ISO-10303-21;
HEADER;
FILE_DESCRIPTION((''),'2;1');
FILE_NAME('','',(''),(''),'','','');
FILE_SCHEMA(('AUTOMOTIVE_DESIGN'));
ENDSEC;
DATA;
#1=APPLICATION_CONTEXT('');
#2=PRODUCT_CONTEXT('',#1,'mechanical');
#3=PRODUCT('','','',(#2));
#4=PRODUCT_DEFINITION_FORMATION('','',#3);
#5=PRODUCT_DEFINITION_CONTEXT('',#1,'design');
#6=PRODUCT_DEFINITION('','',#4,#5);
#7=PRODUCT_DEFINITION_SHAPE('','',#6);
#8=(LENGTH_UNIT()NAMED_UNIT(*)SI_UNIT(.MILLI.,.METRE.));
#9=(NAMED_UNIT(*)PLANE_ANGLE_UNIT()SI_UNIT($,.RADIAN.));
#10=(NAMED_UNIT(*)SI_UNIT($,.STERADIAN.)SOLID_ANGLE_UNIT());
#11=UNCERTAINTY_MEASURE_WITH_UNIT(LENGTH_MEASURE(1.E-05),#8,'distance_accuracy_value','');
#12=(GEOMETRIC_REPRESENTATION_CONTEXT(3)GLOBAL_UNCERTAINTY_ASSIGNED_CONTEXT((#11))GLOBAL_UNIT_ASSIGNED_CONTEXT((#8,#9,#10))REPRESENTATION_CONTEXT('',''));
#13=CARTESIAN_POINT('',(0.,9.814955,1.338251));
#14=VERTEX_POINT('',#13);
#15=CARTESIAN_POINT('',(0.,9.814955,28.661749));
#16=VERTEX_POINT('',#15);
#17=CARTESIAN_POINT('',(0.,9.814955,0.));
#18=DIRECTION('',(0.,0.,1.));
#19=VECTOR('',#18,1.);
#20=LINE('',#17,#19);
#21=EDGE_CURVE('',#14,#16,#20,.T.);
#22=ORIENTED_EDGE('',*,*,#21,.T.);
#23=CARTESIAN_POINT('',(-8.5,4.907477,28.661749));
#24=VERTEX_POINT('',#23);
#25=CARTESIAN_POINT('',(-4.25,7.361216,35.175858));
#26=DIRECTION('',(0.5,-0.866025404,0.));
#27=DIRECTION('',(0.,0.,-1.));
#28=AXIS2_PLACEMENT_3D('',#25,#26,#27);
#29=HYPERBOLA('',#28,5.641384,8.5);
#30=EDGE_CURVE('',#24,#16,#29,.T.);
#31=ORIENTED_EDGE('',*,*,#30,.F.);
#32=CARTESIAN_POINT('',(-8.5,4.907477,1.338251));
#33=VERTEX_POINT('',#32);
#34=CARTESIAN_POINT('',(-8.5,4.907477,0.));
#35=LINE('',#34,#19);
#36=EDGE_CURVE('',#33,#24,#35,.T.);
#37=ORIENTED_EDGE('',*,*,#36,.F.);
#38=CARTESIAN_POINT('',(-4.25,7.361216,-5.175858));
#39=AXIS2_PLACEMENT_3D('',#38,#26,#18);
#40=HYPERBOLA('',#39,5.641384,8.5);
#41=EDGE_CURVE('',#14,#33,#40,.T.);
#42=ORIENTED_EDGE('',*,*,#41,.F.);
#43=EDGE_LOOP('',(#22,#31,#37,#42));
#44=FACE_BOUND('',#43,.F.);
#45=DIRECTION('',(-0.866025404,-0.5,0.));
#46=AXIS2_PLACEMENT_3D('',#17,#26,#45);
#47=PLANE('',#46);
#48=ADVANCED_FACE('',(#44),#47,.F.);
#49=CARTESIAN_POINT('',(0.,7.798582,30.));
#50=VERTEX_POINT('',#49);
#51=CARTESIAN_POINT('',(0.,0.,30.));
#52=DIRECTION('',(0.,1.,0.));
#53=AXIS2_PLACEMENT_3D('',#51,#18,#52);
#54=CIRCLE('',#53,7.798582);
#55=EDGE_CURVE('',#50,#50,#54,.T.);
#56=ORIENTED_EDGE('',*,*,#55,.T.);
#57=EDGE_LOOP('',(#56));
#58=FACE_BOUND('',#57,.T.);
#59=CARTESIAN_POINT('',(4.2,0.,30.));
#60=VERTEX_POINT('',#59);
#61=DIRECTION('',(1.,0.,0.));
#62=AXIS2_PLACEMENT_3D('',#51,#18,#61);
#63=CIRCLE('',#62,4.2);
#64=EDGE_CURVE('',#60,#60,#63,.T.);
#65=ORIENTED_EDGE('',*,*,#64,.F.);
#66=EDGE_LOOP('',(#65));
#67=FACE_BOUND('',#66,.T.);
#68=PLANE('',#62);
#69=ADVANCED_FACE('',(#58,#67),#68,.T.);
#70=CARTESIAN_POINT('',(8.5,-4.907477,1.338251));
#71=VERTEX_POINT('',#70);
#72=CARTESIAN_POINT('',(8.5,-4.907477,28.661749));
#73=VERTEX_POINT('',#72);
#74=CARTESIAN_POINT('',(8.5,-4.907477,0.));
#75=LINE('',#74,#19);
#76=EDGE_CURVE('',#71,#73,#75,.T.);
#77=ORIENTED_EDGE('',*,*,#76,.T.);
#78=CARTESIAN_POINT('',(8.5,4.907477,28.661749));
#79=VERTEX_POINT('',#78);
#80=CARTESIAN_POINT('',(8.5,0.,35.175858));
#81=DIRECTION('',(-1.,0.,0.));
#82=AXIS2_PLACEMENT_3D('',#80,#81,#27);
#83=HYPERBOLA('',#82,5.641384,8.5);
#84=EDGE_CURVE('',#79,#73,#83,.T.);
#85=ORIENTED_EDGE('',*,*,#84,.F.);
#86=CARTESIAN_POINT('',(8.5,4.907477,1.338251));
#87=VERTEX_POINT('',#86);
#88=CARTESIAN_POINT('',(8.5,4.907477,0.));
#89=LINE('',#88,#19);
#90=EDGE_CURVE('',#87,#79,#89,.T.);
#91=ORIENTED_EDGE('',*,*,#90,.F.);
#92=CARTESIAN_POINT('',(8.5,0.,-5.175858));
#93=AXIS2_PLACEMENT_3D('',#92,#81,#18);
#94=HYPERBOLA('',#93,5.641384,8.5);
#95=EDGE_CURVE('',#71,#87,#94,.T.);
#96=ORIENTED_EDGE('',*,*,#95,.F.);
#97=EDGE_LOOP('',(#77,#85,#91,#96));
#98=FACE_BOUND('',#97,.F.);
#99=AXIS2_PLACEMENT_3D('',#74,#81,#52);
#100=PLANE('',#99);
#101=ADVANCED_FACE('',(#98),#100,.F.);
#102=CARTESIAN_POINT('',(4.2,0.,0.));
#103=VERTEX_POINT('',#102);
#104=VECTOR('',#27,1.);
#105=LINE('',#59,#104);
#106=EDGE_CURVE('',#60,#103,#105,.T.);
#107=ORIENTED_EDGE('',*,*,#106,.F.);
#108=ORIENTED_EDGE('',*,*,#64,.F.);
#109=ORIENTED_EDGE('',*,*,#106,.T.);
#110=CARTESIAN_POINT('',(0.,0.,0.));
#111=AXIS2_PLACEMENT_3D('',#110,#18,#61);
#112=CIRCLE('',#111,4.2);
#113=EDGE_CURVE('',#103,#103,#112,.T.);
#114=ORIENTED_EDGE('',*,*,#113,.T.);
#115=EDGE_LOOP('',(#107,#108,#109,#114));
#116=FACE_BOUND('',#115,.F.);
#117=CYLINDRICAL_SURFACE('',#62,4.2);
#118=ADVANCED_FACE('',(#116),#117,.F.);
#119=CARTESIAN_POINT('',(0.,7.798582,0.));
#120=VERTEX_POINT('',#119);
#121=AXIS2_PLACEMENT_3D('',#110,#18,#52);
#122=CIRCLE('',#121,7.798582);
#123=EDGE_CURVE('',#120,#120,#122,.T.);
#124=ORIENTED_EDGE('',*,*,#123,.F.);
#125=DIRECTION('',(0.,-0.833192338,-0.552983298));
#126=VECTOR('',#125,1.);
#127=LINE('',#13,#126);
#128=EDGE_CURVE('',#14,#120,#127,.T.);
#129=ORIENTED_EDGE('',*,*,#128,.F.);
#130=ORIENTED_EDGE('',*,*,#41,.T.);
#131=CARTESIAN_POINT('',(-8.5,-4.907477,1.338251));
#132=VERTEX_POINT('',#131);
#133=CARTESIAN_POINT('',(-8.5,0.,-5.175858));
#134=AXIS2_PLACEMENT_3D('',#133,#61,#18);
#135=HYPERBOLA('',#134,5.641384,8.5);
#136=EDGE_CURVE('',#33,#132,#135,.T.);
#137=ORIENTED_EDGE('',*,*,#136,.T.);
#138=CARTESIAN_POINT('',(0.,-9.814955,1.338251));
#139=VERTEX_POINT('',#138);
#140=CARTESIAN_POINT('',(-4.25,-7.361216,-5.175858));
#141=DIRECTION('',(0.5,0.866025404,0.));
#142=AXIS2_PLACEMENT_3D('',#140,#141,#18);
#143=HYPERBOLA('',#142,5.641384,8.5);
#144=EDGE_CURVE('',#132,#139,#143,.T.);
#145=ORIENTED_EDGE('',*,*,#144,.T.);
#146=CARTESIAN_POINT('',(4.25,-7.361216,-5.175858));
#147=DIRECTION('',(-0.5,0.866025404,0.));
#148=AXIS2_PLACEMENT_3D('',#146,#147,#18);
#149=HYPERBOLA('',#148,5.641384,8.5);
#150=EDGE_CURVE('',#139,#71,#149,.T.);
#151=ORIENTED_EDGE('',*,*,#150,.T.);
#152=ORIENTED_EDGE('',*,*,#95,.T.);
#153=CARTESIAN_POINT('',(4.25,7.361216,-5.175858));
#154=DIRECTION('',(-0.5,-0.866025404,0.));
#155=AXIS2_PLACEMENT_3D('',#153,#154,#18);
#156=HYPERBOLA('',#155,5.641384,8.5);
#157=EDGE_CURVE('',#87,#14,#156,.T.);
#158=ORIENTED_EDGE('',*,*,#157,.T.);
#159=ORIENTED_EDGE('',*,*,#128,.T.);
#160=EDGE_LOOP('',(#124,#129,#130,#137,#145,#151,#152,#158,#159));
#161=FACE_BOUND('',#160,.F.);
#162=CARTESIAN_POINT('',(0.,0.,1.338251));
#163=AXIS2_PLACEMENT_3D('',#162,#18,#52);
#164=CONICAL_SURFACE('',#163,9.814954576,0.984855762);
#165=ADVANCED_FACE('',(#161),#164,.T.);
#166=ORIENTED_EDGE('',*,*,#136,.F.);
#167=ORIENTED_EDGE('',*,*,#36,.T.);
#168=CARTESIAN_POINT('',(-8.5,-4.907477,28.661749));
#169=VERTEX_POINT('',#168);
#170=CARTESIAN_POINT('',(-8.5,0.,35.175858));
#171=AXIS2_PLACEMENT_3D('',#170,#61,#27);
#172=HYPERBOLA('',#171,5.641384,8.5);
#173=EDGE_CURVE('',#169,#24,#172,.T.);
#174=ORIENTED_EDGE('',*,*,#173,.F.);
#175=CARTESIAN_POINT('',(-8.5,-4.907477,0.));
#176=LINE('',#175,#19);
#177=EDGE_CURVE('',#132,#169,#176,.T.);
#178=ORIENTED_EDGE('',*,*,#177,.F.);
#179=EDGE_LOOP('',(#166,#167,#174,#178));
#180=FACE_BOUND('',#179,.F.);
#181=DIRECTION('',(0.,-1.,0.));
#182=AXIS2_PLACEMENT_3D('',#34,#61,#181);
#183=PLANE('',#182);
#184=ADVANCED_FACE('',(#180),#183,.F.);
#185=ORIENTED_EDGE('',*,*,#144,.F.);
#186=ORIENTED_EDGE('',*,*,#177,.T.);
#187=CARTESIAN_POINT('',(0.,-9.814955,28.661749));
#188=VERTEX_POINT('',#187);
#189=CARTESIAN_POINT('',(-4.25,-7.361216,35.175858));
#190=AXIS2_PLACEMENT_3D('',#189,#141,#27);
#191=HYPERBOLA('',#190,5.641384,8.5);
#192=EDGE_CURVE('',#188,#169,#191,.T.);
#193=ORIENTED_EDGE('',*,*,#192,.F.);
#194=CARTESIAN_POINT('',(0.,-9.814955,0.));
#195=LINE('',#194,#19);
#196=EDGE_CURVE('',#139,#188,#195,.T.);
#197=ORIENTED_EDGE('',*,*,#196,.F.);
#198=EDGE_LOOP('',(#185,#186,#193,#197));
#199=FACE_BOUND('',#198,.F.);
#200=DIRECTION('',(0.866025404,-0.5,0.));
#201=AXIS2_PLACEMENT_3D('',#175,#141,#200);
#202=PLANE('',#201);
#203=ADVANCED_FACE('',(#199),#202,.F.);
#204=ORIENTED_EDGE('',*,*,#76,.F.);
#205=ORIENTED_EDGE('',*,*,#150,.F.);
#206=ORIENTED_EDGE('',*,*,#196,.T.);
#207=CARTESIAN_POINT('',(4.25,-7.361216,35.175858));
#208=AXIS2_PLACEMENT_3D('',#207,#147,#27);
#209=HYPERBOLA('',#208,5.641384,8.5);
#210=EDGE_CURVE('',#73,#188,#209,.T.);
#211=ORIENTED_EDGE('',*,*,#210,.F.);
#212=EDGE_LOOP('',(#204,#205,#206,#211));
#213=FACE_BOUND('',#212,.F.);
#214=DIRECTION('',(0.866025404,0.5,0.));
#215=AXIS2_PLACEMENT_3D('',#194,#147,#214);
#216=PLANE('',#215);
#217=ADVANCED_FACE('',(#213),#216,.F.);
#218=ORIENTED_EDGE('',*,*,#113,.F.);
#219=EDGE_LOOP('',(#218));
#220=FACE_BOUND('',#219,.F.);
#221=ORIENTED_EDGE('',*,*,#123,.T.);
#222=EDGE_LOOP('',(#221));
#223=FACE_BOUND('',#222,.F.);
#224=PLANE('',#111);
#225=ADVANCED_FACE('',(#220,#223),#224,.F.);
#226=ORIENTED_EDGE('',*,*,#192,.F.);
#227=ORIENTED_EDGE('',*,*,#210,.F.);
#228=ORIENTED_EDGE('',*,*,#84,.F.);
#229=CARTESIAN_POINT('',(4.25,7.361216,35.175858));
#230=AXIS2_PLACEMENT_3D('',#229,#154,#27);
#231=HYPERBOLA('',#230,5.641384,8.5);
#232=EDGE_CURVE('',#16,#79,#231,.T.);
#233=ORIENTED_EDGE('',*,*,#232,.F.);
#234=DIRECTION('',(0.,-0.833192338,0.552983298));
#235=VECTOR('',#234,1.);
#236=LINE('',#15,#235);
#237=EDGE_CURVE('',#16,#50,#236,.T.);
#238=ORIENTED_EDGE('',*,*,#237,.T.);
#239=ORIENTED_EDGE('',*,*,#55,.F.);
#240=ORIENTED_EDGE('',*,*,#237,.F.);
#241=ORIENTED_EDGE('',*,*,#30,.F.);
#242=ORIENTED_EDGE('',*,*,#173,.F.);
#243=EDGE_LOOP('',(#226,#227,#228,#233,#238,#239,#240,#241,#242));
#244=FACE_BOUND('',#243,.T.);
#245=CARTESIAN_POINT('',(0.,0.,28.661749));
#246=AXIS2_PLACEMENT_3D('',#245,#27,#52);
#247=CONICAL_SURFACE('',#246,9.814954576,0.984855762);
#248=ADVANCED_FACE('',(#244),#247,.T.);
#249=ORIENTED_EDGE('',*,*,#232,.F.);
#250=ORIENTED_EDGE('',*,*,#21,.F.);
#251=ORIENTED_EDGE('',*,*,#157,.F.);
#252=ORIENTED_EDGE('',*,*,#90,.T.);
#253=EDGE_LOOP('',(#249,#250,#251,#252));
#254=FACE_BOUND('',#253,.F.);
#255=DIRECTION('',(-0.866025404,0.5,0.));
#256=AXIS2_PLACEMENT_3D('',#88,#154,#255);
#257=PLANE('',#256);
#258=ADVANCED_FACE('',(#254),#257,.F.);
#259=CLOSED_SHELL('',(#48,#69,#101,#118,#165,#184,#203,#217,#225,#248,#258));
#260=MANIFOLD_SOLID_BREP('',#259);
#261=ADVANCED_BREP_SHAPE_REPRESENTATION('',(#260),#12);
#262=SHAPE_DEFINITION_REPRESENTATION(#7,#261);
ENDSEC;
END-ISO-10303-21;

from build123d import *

# Parameters (mm, degrees)
BOSS_EXTRUDE1_DEPTH = 30
SKETCH2_R           = 4.2
CUT_EXTRUDE1_DEPTH  = 31


with BuildPart() as part:
    # Sketch1 → Boss-Extrude1 (new body)
    with BuildSketch(Plane.XY):
        Polygon((0, 9.814954576), (-8.5, 4.907477288), (-8.5, -4.907477288), (0, -9.814954576), (8.5, -4.907477288), (8.5, 4.907477288), align=None)
    extrude(amount=BOSS_EXTRUDE1_DEPTH)

    # Sketch2 → Cut-Extrude1 (cut, through all)
    with BuildSketch(Plane.XY.offset(30)):
        Circle(SKETCH2_R)
    extrude(amount=-CUT_EXTRUDE1_DEPTH, mode=Mode.SUBTRACT)

    # Sketch3 → Cut-Revolve1 (revolve, cut)
    with BuildSketch(Plane(origin=(0, 0, 0), x_dir=(0, 0, -1), z_dir=(1, 0, 0))):
        Polygon((-28.661748937, 9.814954576), (-30, 7.798581685), (-30, 9.814954576), align=None)
        Polygon((0, 7.798581685), (0, 9.814954576), (-1.338251063, 9.814954576), align=None)
    revolve(axis=Axis((0, 0, -5.872116431), (0, 0, 1)), mode=Mode.SUBTRACT)


solid = part.part
